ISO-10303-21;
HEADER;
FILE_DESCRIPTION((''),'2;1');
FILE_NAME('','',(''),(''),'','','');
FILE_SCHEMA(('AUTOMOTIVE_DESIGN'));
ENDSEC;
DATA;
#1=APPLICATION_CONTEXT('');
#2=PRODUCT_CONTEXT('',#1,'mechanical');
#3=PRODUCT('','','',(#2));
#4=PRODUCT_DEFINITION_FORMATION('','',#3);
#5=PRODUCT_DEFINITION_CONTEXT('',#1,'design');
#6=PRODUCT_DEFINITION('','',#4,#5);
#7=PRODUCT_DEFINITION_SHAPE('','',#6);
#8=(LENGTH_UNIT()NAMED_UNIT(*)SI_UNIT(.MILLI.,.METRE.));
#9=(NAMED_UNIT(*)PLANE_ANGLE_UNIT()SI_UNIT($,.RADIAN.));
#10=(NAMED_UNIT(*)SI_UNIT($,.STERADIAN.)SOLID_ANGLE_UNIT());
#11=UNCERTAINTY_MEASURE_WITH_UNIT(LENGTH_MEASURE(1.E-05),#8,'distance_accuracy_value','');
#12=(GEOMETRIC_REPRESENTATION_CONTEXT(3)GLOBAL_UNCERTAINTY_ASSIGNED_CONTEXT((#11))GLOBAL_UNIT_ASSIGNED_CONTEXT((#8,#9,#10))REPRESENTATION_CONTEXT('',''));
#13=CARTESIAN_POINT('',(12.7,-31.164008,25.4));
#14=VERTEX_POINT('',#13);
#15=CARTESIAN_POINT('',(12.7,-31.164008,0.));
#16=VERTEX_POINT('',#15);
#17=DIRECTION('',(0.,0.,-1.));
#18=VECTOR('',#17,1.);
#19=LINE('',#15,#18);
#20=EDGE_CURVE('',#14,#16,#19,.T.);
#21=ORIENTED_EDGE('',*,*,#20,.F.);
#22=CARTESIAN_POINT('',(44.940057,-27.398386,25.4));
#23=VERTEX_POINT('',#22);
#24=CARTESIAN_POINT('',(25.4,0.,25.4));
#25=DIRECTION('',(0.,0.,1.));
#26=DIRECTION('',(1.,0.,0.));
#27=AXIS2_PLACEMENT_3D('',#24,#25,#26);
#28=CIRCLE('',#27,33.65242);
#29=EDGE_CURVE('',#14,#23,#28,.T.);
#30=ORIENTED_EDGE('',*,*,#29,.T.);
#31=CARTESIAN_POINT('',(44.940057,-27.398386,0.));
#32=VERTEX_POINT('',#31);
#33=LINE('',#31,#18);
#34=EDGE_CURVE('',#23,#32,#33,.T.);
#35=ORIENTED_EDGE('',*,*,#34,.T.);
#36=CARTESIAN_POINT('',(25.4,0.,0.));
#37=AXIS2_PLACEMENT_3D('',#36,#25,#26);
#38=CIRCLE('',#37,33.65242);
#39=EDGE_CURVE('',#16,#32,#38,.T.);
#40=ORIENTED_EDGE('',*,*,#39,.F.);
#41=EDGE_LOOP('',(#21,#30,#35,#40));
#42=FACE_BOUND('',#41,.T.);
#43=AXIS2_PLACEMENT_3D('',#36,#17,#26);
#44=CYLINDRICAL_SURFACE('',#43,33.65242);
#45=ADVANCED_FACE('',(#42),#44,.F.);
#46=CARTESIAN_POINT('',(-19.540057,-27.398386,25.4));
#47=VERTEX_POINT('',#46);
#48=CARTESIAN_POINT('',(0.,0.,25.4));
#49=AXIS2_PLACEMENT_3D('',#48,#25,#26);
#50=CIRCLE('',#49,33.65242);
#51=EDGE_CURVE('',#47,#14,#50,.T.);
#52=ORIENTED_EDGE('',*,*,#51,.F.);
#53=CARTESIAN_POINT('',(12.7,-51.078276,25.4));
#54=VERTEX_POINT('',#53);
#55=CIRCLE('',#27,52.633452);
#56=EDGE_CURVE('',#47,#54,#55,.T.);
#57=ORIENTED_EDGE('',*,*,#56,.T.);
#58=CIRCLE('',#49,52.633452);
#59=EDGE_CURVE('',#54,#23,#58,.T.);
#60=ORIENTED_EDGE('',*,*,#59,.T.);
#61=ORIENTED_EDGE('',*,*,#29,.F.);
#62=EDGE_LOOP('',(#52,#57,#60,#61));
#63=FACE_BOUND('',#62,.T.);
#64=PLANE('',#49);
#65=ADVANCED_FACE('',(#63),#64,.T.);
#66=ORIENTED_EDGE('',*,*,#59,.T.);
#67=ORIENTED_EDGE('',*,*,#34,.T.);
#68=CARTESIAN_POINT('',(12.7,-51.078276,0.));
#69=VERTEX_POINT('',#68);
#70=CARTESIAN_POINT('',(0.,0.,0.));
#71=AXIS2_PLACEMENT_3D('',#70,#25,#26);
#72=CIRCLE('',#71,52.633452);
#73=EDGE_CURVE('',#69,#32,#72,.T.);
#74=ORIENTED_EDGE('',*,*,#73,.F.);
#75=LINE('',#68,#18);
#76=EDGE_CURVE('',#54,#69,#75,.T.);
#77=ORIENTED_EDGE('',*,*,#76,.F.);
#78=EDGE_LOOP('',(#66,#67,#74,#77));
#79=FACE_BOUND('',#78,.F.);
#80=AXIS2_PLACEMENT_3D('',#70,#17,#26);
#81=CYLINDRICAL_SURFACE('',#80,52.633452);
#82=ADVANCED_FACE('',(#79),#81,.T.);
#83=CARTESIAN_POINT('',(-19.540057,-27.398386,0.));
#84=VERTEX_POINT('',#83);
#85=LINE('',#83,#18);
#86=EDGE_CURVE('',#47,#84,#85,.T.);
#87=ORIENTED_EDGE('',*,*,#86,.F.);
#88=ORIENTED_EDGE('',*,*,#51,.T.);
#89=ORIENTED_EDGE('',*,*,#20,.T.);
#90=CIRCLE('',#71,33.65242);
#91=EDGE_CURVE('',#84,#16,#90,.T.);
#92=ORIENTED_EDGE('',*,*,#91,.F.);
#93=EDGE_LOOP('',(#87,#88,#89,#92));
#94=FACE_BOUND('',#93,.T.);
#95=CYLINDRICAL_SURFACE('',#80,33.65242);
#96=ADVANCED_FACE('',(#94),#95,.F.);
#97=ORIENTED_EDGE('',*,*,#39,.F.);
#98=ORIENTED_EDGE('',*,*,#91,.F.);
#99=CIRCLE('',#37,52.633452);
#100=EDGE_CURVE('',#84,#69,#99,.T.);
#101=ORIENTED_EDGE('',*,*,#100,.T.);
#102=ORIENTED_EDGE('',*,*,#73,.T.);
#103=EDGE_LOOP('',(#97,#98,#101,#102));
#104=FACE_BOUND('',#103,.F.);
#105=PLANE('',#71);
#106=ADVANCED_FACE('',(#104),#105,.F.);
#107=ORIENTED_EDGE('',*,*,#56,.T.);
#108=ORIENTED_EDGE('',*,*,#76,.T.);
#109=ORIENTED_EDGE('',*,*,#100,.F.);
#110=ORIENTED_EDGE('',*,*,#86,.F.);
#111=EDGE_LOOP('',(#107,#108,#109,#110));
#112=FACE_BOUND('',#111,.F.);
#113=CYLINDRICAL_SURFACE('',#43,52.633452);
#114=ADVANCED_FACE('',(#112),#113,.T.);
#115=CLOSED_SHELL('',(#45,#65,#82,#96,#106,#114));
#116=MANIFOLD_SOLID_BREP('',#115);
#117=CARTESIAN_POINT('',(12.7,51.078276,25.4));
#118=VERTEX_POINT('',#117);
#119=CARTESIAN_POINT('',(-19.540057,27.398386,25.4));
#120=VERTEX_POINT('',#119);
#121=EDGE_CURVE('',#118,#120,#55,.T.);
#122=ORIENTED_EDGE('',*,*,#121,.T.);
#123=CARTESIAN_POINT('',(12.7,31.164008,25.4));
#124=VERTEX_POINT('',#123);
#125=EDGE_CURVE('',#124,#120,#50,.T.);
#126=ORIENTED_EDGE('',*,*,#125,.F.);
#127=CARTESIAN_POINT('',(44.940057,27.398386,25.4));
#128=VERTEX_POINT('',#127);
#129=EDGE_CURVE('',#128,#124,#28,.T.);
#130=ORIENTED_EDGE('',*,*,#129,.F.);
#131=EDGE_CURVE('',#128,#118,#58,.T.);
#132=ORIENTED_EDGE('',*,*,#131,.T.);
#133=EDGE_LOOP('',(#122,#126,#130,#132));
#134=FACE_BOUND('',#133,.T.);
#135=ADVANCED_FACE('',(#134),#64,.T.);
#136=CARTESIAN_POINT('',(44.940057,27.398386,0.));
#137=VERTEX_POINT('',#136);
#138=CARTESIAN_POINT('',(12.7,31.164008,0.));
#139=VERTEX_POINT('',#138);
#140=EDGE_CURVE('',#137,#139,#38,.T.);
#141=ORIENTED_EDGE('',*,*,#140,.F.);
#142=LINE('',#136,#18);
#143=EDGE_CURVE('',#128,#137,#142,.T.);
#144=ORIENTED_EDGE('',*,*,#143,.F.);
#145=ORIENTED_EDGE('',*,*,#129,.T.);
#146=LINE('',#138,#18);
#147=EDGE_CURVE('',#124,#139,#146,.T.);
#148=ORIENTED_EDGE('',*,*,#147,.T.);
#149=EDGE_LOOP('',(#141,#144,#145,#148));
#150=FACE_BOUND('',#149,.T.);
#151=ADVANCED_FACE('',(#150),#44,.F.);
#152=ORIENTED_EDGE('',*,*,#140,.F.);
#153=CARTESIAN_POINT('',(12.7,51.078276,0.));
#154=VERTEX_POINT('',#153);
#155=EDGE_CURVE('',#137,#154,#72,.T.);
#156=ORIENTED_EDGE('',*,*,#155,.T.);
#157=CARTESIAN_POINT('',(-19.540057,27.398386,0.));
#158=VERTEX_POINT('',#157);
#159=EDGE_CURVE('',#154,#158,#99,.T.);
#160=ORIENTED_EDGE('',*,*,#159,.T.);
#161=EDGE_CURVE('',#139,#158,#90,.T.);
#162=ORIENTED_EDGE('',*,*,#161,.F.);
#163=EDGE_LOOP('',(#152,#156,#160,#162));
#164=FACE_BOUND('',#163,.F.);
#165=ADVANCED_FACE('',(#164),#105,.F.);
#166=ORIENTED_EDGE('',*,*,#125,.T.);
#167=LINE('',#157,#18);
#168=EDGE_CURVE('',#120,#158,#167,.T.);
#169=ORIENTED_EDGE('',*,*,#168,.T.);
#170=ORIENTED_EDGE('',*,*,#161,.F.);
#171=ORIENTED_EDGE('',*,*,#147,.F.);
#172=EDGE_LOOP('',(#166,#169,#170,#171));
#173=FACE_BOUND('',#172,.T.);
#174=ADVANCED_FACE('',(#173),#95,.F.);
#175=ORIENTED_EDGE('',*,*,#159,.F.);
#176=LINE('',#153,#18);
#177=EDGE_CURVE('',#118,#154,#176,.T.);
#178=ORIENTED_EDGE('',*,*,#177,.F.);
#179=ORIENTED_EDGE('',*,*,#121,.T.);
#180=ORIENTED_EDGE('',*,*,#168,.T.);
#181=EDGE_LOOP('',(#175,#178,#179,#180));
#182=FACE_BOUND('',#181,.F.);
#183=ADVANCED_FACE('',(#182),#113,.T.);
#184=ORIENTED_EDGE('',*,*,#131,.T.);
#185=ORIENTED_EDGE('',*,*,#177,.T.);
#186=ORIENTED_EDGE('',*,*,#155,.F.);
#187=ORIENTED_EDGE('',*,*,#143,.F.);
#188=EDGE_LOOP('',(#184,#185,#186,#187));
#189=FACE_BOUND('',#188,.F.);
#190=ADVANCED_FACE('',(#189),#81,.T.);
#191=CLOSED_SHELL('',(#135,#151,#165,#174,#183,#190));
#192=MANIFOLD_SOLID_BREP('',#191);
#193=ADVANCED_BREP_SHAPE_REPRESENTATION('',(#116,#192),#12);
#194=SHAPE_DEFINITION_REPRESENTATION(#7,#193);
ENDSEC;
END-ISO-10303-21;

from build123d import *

# Parameters (mm, degrees)
F0_R     = 52.633452
F0_R_2   = 33.65242
F1_DEPTH = 25.4


with BuildPart() as f1:
    # F0 (on Top) → F1 (new body)
    with BuildSketch(Plane.XY):
        Circle(F0_R)
        Circle(F0_R_2, mode=Mode.SUBTRACT)
    extrude(amount=F1_DEPTH)


with BuildPart() as f2_1:
    # F2: copy of F1
    add(f1.part.moved(Location((25.4, 0, 0))))


with BuildPart() as f1_1:
    add(f1.part)

    # F3: intersect F2_1
    add(f2_1.part, mode=Mode.INTERSECT)


solid = f1_1.part
